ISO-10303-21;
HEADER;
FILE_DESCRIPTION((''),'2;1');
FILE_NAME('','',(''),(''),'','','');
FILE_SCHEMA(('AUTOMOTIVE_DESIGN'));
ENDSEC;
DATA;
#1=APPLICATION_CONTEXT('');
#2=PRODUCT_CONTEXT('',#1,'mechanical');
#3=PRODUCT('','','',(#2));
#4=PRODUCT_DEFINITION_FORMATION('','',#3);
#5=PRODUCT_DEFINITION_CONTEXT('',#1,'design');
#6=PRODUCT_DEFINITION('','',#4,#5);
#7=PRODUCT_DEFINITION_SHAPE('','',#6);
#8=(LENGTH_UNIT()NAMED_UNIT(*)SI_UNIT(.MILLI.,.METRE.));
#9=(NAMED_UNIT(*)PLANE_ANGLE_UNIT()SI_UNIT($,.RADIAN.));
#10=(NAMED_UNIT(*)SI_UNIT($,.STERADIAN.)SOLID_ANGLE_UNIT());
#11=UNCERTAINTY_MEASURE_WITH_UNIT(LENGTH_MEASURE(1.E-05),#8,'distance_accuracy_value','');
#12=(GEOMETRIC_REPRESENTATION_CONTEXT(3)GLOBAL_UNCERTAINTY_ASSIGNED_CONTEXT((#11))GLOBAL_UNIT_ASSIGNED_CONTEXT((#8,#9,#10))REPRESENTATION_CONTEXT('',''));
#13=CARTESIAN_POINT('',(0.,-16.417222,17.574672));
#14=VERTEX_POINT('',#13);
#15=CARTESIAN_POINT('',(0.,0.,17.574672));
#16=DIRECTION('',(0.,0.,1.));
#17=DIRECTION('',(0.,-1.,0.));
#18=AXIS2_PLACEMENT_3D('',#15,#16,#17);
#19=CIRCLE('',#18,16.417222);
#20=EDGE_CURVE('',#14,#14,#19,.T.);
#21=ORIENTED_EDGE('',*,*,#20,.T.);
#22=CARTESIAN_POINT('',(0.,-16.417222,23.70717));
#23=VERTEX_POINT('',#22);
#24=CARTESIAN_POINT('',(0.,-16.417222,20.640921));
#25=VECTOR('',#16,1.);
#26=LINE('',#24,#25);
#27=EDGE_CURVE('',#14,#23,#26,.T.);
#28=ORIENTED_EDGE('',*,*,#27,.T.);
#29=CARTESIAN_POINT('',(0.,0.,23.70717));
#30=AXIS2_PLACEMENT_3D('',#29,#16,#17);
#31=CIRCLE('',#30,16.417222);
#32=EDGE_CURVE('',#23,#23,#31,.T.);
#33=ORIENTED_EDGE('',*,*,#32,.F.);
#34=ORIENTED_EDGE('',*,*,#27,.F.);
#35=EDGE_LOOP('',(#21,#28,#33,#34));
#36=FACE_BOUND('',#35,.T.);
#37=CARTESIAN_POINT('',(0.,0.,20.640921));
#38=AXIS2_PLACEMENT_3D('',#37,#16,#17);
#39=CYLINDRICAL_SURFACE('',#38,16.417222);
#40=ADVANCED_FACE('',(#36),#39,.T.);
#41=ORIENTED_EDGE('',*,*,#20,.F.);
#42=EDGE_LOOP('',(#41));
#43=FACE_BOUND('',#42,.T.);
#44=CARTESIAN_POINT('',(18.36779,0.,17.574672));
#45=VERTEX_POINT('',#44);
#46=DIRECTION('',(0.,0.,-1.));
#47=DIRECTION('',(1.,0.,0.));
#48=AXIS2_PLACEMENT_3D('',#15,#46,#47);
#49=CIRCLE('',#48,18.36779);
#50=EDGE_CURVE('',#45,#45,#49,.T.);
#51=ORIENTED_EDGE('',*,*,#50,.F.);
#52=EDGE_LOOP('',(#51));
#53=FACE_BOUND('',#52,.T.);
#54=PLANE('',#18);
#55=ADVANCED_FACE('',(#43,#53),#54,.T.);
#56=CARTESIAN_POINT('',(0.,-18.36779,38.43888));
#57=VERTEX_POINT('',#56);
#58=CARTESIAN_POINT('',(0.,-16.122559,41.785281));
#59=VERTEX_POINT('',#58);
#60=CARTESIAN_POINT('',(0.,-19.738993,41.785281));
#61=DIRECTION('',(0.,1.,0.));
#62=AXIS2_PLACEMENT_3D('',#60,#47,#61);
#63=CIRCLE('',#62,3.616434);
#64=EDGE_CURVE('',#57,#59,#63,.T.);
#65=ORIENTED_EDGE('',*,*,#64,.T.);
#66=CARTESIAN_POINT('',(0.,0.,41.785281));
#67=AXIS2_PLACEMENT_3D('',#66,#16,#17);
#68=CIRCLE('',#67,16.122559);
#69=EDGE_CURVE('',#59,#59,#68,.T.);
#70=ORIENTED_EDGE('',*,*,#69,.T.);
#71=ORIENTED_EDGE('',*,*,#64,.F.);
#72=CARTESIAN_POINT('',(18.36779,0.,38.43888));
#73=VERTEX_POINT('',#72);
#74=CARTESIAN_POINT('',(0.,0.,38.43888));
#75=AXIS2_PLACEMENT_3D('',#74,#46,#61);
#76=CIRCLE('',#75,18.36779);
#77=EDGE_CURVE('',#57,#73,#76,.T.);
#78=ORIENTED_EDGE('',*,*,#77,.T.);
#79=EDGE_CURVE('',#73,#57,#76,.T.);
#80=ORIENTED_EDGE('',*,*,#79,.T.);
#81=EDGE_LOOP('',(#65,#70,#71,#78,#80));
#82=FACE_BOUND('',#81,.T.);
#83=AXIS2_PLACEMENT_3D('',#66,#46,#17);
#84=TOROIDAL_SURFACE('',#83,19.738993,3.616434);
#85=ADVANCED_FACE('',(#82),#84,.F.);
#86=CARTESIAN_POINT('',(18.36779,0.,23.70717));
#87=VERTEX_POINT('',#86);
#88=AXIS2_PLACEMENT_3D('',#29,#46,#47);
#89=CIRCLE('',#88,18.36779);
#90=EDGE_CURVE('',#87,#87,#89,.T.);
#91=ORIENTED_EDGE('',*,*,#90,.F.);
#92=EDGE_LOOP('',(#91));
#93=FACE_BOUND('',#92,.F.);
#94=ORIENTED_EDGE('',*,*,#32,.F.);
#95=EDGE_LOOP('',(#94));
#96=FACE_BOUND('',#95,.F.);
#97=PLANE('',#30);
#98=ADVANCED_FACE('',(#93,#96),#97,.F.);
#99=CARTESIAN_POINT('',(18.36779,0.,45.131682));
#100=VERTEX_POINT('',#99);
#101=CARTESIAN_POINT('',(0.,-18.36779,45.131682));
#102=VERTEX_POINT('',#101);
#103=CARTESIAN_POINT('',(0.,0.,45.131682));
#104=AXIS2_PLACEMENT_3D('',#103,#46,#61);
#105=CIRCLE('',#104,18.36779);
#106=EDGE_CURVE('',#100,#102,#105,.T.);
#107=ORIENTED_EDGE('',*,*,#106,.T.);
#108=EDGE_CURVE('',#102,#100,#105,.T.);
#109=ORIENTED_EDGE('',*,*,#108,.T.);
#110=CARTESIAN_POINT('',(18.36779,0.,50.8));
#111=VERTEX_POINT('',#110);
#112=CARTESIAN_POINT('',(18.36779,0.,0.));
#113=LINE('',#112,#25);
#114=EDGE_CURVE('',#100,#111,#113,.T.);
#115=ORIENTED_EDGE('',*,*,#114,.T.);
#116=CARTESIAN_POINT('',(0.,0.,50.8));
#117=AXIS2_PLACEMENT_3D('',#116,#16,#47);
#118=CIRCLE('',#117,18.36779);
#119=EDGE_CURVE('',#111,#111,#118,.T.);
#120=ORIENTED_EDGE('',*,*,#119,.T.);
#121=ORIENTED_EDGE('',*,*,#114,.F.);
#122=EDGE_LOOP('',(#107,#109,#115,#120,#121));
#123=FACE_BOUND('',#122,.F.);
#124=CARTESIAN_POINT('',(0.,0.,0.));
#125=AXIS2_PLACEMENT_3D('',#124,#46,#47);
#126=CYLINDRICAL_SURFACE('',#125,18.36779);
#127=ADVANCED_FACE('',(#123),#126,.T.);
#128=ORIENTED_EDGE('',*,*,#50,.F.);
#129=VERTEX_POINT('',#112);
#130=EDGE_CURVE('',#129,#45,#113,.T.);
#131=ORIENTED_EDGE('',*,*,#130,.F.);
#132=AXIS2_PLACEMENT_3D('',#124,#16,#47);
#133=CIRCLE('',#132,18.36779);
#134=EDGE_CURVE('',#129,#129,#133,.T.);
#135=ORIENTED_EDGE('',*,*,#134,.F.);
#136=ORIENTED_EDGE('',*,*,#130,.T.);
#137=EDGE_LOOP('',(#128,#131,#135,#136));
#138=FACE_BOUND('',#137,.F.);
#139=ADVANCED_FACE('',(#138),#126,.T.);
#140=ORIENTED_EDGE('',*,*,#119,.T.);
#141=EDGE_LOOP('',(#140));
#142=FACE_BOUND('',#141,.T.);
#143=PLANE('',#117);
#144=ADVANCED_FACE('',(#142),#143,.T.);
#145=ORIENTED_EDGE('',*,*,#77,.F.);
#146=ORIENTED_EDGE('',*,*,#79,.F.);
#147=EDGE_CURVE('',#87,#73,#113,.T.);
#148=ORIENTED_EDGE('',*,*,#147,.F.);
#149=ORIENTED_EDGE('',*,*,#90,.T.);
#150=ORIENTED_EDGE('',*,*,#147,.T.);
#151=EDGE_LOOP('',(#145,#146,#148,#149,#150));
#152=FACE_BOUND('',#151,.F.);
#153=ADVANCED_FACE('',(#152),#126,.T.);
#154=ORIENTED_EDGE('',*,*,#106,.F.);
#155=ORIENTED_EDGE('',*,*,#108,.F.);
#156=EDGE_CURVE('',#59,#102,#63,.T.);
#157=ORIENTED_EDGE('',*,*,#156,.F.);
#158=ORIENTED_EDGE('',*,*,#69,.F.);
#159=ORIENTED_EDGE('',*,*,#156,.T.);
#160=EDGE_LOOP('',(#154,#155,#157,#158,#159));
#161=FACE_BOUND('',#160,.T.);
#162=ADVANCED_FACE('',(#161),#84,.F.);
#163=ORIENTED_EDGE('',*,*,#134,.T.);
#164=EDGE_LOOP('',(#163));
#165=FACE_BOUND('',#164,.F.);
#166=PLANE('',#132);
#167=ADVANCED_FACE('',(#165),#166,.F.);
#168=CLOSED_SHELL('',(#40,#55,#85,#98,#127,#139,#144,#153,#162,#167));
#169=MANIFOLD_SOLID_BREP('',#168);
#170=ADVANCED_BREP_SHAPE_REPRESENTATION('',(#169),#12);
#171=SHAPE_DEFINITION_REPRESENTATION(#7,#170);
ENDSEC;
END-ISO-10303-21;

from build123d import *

# Parameters (mm, degrees)
F0_R     = 18.36779
F1_DEPTH = 50.8
F2_R     = 3.616434
F2_W     = 6.643541
F2_H     = 6.132498


with BuildPart() as f1:
    # F0 (on Top) → F1 (new body)
    with BuildSketch(Plane.XY):
        Circle(F0_R)
    extrude(amount=F1_DEPTH)

    # F2 (on Right) → F3 (revolve, cut)
    with BuildSketch(Plane.YZ):
        with Locations((-19.738993, 41.785281)):
            Circle(F2_R)
        with Locations((-19.738992, 20.640921)):
            Rectangle(F2_W, F2_H)
    revolve(axis=Axis((0, 0, 23.766607), (0, 0, 1)), mode=Mode.SUBTRACT)


solid = f1.part
